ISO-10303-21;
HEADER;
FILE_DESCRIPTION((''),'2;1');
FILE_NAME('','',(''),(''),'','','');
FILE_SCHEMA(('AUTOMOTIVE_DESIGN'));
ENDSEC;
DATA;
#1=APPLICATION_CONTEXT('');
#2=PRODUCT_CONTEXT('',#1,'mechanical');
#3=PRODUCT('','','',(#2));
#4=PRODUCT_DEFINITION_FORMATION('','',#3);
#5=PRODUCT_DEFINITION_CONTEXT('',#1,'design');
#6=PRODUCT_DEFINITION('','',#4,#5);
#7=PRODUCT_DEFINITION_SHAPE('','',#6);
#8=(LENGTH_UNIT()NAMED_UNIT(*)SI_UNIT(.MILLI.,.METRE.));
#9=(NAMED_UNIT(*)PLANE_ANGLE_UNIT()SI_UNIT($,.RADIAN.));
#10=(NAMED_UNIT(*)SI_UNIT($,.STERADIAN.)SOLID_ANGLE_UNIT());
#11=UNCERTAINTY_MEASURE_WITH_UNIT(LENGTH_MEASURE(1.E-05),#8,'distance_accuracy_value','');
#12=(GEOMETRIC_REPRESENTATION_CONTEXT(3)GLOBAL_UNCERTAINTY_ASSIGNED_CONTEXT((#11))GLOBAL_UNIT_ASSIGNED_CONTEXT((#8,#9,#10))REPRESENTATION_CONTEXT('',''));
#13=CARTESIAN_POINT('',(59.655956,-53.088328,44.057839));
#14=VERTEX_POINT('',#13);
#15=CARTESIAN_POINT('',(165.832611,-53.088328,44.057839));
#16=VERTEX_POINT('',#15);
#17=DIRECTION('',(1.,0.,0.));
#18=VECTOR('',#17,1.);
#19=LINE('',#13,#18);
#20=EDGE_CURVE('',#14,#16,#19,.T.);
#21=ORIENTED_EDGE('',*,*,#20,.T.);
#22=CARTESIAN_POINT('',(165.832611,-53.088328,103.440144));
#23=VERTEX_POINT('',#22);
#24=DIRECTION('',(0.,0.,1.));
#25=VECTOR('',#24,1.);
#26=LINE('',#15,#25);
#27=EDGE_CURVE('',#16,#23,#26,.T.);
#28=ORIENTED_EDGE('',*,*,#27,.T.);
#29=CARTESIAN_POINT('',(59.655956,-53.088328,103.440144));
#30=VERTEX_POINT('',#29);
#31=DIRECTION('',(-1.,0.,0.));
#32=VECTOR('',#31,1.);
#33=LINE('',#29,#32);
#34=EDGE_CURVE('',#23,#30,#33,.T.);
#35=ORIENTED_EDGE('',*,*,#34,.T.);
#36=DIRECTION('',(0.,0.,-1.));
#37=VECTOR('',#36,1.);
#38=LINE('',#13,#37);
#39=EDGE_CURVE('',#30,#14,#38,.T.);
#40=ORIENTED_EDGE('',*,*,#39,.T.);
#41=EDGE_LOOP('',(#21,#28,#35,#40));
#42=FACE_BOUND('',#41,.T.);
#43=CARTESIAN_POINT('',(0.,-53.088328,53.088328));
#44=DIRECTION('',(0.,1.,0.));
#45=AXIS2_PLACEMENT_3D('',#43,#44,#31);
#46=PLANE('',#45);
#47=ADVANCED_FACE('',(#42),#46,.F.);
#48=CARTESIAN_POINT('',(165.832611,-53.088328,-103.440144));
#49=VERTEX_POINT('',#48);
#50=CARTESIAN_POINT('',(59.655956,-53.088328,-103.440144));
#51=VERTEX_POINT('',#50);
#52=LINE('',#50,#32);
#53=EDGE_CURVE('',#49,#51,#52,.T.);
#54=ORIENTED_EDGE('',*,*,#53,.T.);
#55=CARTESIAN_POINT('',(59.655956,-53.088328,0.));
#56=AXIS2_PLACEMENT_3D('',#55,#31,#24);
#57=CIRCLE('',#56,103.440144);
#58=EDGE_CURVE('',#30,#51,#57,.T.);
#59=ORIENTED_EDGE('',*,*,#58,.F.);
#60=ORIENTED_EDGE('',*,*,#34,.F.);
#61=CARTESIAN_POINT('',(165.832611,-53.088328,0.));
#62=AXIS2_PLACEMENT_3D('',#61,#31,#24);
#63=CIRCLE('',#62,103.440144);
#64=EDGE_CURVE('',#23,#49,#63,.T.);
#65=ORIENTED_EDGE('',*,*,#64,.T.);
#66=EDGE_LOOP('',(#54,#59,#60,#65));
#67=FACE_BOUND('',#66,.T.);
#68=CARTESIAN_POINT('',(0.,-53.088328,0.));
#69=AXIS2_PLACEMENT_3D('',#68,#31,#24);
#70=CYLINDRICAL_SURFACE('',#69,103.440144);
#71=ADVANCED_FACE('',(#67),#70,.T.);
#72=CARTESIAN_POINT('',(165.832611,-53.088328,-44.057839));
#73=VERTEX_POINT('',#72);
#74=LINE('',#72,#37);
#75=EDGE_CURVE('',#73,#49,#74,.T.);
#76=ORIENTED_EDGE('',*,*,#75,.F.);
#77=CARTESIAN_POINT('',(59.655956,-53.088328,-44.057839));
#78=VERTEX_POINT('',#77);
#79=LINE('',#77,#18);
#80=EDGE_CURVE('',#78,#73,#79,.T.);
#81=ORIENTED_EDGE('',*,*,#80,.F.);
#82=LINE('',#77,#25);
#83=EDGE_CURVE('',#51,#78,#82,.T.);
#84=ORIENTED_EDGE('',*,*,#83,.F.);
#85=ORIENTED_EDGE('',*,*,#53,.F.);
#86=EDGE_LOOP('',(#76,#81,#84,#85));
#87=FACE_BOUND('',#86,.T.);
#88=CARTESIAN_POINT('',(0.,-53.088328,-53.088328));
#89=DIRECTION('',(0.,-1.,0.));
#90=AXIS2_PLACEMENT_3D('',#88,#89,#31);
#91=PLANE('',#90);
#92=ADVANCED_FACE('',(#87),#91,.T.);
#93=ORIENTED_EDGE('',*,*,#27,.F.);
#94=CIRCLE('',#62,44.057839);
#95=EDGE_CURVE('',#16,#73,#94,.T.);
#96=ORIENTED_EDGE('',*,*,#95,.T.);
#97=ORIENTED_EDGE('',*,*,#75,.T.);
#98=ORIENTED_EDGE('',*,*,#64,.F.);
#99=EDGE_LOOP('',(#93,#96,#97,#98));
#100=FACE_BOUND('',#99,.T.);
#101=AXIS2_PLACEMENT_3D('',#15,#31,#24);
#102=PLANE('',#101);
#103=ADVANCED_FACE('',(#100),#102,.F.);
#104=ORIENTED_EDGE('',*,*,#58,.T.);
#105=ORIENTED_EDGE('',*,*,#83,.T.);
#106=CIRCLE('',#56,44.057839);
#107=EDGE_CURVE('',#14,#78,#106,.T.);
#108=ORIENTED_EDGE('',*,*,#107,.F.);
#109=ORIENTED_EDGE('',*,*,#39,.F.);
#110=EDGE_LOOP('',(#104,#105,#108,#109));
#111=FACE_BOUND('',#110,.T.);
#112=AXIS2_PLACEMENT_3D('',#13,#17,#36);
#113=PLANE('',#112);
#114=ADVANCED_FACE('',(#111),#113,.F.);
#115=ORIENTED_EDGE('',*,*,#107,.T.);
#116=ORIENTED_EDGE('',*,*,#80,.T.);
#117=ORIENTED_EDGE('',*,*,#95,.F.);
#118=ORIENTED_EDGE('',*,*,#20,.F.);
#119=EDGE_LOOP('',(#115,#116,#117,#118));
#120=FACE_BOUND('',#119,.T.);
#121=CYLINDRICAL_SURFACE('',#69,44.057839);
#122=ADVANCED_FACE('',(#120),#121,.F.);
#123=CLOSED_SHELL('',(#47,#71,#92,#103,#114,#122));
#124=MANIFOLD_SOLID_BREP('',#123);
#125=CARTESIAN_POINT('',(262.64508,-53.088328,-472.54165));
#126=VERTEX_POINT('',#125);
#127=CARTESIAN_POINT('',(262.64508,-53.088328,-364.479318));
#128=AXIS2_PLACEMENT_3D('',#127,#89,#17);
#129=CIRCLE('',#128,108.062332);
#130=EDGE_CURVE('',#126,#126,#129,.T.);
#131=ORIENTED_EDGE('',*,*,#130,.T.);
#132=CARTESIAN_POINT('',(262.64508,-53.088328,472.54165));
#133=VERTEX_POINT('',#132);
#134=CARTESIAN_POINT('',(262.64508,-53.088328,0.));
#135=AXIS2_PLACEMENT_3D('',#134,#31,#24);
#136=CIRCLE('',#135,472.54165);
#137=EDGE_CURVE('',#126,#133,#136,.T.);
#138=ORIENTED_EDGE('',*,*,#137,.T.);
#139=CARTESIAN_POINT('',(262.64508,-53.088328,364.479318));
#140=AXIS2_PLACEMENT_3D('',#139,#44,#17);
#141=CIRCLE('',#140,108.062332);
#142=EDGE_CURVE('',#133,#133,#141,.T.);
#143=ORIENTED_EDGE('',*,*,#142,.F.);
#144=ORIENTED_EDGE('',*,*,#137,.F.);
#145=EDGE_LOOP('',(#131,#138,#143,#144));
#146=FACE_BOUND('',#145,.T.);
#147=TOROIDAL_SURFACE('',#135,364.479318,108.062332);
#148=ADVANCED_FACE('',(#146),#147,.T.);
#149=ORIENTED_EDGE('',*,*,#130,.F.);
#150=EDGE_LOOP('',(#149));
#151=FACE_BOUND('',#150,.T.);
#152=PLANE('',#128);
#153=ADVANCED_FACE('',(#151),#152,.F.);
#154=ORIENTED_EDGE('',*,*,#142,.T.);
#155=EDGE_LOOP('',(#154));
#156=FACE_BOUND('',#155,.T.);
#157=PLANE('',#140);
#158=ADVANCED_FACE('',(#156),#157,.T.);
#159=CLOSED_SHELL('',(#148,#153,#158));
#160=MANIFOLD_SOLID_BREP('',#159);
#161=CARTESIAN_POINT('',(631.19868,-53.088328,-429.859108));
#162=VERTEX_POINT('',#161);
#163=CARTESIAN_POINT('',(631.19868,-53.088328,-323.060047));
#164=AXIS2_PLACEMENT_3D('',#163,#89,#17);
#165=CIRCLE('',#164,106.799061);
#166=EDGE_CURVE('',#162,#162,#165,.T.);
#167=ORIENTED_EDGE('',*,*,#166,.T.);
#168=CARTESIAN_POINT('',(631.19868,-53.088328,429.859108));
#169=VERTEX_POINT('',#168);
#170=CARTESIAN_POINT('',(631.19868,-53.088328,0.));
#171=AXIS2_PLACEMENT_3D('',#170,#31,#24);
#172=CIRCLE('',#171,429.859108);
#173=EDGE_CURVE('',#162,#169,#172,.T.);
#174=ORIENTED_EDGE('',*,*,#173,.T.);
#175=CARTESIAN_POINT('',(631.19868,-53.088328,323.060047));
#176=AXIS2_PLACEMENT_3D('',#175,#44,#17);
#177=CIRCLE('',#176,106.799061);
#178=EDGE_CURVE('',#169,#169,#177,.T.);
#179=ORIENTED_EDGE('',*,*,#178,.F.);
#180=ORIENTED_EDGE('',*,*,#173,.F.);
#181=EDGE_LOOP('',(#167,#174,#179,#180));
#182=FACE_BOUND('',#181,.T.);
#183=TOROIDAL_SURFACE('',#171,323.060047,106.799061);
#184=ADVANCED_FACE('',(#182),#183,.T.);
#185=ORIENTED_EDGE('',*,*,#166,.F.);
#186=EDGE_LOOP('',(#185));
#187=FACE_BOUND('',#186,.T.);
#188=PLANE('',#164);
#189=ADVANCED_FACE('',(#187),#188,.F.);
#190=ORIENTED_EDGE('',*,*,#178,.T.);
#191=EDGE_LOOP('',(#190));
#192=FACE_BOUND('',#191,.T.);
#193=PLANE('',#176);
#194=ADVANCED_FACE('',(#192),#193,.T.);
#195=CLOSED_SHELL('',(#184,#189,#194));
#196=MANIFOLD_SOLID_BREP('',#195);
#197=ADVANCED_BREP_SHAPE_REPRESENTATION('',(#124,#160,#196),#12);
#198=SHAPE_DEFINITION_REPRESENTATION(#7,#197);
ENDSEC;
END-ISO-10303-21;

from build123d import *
from build123d.topology import SkipClean

# Parameters (mm, degrees)
SKETCH1_R      = 106.799061057
SKETCH1_R_2    = 108.062331866
SKETCH1_W      = 106.176655489
SKETCH1_H      = 59.382304745
REVOLVE1_ANGLE = 180


with BuildPart() as part:
    # Sketch1 → Revolve1 (revolve, symmetric)
    with SkipClean():  # the faces are left unmerged after this step: merging them gives an invalid solid
        with BuildSketch(Plane.XY) as revolve1_sk:
            with Locations((631.19867985, -376.148374897)):
                Circle(SKETCH1_R)
            with Locations((262.645080015, -417.567645482)):
                Circle(SKETCH1_R_2)
            with Locations((112.744283664, 20.660663633)):
                Rectangle(SKETCH1_W, SKETCH1_H)
        revolve(axis=Axis((0, -53.088327745, 0), (1, 0, 0)), revolution_arc=REVOLVE1_ANGLE / 2)
        revolve(revolve1_sk.sketch, axis=Axis((0, -53.088327745, 0), (-1, 0, 0)), revolution_arc=REVOLVE1_ANGLE / 2)


solid = part.part
